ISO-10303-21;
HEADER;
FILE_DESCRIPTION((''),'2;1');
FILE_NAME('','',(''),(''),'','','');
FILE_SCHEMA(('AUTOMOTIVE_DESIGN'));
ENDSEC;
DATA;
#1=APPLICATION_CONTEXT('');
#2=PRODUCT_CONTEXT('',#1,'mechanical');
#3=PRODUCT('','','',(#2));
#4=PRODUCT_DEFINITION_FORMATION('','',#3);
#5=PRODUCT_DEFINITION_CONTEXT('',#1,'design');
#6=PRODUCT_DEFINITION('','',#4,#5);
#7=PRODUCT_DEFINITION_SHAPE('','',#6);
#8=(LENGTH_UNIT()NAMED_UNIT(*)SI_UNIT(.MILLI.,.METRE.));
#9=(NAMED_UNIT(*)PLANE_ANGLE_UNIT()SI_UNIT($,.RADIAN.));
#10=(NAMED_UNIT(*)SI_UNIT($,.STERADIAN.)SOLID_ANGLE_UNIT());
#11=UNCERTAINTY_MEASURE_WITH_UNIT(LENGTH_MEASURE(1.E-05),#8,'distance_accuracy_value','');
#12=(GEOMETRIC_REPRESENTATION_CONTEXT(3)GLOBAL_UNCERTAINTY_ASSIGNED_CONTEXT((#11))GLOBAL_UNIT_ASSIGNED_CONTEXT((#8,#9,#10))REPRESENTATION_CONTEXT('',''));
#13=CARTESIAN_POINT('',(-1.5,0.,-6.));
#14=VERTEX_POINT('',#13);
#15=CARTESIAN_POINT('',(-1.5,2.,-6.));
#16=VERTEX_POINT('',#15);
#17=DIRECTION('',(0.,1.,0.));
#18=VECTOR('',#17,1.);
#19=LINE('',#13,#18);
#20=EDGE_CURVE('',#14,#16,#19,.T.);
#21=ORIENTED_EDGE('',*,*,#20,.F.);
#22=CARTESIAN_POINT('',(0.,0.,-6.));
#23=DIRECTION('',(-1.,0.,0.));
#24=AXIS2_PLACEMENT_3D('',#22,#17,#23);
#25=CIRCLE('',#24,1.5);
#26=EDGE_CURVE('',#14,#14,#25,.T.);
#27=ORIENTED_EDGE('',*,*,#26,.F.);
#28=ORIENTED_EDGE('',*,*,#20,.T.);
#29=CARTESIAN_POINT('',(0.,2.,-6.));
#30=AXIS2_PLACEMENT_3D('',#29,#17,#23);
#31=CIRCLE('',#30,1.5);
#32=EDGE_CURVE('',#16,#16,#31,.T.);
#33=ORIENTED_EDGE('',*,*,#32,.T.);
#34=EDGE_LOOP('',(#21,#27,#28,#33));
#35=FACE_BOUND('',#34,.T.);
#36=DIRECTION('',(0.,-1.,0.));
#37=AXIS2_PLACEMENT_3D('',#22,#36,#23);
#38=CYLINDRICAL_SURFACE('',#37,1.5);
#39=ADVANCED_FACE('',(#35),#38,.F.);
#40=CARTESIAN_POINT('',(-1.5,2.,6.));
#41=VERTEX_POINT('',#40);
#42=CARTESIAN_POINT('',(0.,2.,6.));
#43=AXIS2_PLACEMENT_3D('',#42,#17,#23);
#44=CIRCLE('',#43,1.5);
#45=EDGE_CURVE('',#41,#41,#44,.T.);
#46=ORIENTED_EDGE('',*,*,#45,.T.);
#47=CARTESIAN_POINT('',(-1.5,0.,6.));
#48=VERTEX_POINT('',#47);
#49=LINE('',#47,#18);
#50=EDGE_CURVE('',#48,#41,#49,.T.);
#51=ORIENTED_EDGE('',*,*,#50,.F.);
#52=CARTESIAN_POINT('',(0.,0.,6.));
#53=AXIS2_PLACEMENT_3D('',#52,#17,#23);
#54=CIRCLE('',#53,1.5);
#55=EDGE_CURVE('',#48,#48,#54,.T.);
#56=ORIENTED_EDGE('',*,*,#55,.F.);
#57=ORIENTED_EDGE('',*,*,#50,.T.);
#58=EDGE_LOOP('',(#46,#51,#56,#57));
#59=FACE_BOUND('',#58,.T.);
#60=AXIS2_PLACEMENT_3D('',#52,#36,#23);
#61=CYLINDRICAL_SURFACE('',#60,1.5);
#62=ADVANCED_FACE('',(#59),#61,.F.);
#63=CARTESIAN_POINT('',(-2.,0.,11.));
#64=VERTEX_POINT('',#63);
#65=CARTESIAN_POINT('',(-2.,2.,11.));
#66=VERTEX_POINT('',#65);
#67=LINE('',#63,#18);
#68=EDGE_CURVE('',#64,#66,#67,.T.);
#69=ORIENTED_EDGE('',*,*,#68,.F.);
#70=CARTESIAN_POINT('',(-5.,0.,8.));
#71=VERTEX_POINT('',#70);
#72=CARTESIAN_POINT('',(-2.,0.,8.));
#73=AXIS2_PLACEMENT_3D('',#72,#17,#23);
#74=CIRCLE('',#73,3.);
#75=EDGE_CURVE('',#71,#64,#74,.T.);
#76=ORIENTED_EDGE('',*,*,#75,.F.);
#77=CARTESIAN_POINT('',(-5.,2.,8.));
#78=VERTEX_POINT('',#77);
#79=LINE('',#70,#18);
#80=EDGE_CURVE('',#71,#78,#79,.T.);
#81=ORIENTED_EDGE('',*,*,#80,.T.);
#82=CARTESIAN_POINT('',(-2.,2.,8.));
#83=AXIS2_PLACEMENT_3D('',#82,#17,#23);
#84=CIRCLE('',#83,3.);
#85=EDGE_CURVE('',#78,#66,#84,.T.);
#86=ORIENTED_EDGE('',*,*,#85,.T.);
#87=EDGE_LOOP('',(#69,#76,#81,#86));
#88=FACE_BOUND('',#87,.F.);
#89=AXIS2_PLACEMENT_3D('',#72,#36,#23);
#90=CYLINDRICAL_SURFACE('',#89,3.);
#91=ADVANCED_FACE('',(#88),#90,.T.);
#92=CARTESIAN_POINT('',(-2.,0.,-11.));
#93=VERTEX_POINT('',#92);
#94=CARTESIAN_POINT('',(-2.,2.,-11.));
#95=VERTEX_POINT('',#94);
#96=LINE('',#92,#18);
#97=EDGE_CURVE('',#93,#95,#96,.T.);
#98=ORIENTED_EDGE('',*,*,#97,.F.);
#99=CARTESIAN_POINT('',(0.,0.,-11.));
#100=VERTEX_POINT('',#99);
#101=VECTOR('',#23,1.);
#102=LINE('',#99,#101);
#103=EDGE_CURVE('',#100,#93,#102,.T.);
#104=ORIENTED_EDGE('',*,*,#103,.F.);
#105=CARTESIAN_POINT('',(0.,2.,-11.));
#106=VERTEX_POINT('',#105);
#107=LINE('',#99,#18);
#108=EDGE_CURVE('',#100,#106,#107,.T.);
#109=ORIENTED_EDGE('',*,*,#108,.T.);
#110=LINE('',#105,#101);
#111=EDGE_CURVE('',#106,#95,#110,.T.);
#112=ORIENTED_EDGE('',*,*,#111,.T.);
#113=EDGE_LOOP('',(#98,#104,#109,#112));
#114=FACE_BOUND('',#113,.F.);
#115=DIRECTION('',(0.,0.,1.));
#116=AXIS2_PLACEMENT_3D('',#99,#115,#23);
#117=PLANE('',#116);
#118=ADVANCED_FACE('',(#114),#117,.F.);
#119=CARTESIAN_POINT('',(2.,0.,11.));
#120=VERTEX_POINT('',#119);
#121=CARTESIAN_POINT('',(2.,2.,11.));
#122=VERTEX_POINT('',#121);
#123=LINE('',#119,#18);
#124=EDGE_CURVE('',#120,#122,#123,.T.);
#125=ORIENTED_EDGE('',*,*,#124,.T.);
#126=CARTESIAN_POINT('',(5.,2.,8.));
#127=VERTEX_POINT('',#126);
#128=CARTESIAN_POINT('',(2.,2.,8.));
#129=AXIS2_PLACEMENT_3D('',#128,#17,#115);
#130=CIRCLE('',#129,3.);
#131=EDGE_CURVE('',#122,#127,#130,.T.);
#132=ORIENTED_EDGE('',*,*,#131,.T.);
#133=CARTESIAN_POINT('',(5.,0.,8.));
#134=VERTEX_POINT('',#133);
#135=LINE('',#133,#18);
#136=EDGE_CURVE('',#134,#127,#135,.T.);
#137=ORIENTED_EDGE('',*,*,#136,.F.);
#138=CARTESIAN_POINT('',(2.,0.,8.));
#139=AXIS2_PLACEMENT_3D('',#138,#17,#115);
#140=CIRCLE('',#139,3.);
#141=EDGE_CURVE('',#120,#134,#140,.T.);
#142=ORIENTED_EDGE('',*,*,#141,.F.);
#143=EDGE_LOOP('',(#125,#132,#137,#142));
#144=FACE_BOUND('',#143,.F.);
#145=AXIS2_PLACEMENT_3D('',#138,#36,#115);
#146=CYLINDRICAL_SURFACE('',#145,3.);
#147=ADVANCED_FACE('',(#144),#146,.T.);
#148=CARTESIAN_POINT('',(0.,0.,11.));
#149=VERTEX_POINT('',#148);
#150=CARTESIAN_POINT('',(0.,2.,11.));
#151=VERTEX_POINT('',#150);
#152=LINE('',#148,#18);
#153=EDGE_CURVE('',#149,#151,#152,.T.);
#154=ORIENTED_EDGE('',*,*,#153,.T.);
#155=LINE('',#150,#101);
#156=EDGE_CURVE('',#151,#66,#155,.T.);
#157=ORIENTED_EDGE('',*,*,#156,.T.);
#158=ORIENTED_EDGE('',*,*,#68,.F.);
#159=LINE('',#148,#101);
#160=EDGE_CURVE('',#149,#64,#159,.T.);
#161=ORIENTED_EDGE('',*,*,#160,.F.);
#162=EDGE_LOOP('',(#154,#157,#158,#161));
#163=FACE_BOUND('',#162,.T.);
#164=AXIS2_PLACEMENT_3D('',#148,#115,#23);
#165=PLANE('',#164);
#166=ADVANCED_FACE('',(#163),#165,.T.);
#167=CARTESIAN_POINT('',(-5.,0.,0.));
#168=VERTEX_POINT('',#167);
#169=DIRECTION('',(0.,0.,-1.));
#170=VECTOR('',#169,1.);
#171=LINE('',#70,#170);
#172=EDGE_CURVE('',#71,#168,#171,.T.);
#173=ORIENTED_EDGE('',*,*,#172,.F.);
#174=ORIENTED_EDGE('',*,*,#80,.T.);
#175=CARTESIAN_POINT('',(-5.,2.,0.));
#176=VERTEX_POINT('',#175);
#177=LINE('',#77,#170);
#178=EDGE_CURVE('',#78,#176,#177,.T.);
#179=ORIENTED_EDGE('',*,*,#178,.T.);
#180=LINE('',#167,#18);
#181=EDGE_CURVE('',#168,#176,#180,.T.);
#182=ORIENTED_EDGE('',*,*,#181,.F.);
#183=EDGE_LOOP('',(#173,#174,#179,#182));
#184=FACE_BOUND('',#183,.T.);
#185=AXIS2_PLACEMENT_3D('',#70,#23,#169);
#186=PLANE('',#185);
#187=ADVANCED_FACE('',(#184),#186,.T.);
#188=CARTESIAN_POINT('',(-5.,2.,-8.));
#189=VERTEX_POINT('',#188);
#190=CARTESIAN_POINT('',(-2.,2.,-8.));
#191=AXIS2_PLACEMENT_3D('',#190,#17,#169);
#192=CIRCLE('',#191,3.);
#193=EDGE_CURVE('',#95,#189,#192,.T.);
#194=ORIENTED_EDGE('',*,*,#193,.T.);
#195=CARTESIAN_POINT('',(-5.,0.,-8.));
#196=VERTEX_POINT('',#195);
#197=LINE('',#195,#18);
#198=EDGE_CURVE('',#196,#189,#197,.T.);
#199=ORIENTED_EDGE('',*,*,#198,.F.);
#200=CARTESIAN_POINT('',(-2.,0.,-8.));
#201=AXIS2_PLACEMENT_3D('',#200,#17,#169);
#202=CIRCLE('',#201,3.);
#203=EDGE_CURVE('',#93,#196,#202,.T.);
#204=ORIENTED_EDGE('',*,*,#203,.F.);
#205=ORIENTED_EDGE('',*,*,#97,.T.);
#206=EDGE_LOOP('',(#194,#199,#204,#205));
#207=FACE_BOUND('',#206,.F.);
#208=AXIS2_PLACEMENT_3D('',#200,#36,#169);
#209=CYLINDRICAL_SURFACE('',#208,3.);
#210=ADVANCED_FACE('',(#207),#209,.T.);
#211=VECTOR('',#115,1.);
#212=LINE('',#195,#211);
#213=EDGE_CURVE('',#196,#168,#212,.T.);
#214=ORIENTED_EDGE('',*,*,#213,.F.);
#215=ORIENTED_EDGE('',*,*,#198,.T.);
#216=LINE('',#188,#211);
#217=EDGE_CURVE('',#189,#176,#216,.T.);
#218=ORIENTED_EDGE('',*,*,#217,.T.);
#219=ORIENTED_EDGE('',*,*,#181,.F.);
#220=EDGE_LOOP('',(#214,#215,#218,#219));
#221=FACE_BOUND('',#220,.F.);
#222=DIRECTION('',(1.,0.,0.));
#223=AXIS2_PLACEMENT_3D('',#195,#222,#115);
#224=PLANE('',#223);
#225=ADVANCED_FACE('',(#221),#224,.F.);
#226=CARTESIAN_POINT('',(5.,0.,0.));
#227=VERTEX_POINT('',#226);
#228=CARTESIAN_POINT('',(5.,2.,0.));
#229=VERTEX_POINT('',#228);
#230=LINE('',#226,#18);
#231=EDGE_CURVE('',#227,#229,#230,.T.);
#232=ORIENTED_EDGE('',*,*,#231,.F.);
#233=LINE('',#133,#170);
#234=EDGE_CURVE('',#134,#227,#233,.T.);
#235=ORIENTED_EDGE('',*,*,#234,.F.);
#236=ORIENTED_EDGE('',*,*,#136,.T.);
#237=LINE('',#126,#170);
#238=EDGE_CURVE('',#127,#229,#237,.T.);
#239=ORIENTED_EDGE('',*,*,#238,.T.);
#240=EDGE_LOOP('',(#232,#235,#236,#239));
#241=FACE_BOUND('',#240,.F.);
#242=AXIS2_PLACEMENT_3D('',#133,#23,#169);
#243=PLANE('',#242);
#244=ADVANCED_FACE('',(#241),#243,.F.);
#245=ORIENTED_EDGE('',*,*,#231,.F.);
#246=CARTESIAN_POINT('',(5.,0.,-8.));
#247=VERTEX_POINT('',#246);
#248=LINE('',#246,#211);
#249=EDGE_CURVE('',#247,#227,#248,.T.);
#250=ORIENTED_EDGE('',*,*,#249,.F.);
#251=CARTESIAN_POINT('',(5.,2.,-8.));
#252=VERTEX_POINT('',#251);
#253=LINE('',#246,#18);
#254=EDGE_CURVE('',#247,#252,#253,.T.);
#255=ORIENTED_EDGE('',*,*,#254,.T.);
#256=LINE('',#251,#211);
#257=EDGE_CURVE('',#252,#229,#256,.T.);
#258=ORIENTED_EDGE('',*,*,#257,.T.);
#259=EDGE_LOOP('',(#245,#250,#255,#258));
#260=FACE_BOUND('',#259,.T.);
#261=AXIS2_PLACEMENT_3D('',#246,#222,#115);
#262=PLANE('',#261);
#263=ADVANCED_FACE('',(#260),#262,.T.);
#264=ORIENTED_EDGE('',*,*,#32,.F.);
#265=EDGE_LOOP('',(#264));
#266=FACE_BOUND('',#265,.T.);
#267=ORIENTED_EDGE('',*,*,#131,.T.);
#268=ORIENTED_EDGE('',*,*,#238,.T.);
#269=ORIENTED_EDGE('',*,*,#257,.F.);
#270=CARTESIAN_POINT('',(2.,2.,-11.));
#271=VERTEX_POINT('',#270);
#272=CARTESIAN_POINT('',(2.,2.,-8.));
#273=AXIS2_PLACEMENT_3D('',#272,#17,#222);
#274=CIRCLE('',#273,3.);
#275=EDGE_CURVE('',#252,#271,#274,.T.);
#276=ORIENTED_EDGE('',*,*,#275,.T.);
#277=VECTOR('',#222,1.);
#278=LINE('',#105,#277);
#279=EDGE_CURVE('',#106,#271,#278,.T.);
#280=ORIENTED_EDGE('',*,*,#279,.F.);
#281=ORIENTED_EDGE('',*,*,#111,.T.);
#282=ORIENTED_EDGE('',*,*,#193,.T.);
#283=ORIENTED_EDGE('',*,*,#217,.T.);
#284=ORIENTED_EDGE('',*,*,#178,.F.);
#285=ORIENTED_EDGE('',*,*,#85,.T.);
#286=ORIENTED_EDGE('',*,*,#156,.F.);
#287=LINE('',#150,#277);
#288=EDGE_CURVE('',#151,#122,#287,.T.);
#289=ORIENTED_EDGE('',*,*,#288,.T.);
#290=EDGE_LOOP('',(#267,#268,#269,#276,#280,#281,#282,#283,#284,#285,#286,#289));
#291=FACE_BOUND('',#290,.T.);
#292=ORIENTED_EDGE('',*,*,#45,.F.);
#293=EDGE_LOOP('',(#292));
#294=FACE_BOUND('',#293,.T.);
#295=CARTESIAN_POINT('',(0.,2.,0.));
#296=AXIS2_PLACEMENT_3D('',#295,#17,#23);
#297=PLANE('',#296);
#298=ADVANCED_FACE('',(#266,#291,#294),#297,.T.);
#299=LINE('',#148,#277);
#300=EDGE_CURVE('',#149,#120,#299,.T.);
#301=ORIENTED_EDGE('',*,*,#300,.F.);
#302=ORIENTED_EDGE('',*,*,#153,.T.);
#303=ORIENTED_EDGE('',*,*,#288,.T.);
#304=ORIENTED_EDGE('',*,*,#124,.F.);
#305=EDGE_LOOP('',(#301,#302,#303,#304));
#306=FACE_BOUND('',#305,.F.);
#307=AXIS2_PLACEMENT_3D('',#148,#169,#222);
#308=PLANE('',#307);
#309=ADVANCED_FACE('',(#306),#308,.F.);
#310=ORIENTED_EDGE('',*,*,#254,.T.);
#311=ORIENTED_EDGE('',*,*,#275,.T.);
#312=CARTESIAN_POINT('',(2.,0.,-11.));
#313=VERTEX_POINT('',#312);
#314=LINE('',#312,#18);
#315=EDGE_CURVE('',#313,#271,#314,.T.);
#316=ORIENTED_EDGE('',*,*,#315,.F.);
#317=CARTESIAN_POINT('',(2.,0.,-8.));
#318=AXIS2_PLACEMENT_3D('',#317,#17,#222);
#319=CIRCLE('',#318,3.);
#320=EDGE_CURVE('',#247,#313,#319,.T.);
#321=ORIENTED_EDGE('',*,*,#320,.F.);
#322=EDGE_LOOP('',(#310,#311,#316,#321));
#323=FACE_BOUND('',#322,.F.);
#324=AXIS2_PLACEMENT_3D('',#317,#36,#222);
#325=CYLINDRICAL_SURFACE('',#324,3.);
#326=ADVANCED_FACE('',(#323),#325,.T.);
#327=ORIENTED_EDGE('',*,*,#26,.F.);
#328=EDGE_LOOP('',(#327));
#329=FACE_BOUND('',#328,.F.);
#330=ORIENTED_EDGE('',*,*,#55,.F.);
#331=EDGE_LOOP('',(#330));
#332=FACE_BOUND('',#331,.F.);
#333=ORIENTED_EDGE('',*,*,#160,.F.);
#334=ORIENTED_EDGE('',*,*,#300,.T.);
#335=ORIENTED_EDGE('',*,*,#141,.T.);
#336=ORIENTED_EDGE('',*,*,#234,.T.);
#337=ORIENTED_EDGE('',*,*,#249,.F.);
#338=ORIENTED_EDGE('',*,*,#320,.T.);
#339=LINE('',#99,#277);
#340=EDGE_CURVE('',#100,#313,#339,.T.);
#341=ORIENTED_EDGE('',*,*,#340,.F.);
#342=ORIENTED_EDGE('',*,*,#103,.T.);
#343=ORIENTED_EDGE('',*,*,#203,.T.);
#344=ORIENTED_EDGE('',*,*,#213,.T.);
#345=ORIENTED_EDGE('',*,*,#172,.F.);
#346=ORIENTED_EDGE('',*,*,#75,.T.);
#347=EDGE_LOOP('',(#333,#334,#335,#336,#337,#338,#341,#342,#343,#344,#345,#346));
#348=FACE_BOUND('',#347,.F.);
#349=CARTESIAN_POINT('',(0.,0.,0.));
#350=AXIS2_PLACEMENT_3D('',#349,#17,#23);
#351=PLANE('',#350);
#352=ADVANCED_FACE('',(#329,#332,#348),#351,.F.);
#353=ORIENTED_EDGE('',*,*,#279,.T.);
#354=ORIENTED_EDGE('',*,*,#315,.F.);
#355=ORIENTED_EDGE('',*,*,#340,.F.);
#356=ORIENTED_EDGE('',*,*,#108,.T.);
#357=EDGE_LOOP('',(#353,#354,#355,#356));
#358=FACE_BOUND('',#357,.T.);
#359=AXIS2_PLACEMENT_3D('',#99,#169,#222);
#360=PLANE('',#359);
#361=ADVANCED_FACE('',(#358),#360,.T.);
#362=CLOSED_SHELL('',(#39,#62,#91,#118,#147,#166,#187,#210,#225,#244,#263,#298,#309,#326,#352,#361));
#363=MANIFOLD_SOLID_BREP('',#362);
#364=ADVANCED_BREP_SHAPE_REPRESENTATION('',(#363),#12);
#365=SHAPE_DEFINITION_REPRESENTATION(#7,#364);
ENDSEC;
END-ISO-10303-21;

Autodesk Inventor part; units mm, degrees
ref_plane "YZ Plane" through (0, 0, 0) normal (1, 0, 0) x (0, 1, 0)
ref_plane "XZ Plane" through (0, 0, 0) normal (0, 1, 0) x (-1, 0, 0)
ref_plane "XY Plane" through (0, 0, 0) normal (0, 0, 1) x (1, 0, 0)
sketch "Sketch1" plane through (0, 0, 0) normal (0, 1, 0) x (-1, 0, 0)
  line L0 (1.5875, 0) -> (-2.17, 0) construction
  line L1 (0, 2.1822) -> (0, -1.8687) construction
  circle A0 centre (0, 6) radius 1.5
  line L2 (0, 11) -> (2, 11)
  line L3 (5, 8) -> (5, 0)
  arc A1 (5, 8) -> (2, 11) centre (2, 8) ccw
  line L4 (0, 11) -> (-2, 11)
  line L5 (-5, 8) -> (-5, 0)
  arc A2 (-2, 11) -> (-5, 8) centre (-2, 8) ccw
  circle A3 centre (0, -6) radius 1.5
  line L6 (0, -11) -> (2, -11)
  line L7 (5, -8) -> (5, 0)
  arc A4 (2, -11) -> (5, -8) centre (2, -8) ccw
  line L8 (-5, -8) -> (-5, 0)
  arc A5 (-5, -8) -> (-2, -11) centre (-2, -8) ccw
  line L9 (0, -11) -> (-2, -11)
  point P0 (0, 0)
  point P1 (5, 11)
  point P2 (-5, 11)
  point P3 (5, -11)
  point P4 (-5, -11)
  dimension "d0" = 3
  dimension "d1" = 6
  dimension "d2" = 5
  dimension "d3" = 5
  dimension "d4" = 3
extrude "Extrusion1" add sketch "Sketch1" along normal blind 2
properties part number "Konektor Casis 2_3DPrint"
